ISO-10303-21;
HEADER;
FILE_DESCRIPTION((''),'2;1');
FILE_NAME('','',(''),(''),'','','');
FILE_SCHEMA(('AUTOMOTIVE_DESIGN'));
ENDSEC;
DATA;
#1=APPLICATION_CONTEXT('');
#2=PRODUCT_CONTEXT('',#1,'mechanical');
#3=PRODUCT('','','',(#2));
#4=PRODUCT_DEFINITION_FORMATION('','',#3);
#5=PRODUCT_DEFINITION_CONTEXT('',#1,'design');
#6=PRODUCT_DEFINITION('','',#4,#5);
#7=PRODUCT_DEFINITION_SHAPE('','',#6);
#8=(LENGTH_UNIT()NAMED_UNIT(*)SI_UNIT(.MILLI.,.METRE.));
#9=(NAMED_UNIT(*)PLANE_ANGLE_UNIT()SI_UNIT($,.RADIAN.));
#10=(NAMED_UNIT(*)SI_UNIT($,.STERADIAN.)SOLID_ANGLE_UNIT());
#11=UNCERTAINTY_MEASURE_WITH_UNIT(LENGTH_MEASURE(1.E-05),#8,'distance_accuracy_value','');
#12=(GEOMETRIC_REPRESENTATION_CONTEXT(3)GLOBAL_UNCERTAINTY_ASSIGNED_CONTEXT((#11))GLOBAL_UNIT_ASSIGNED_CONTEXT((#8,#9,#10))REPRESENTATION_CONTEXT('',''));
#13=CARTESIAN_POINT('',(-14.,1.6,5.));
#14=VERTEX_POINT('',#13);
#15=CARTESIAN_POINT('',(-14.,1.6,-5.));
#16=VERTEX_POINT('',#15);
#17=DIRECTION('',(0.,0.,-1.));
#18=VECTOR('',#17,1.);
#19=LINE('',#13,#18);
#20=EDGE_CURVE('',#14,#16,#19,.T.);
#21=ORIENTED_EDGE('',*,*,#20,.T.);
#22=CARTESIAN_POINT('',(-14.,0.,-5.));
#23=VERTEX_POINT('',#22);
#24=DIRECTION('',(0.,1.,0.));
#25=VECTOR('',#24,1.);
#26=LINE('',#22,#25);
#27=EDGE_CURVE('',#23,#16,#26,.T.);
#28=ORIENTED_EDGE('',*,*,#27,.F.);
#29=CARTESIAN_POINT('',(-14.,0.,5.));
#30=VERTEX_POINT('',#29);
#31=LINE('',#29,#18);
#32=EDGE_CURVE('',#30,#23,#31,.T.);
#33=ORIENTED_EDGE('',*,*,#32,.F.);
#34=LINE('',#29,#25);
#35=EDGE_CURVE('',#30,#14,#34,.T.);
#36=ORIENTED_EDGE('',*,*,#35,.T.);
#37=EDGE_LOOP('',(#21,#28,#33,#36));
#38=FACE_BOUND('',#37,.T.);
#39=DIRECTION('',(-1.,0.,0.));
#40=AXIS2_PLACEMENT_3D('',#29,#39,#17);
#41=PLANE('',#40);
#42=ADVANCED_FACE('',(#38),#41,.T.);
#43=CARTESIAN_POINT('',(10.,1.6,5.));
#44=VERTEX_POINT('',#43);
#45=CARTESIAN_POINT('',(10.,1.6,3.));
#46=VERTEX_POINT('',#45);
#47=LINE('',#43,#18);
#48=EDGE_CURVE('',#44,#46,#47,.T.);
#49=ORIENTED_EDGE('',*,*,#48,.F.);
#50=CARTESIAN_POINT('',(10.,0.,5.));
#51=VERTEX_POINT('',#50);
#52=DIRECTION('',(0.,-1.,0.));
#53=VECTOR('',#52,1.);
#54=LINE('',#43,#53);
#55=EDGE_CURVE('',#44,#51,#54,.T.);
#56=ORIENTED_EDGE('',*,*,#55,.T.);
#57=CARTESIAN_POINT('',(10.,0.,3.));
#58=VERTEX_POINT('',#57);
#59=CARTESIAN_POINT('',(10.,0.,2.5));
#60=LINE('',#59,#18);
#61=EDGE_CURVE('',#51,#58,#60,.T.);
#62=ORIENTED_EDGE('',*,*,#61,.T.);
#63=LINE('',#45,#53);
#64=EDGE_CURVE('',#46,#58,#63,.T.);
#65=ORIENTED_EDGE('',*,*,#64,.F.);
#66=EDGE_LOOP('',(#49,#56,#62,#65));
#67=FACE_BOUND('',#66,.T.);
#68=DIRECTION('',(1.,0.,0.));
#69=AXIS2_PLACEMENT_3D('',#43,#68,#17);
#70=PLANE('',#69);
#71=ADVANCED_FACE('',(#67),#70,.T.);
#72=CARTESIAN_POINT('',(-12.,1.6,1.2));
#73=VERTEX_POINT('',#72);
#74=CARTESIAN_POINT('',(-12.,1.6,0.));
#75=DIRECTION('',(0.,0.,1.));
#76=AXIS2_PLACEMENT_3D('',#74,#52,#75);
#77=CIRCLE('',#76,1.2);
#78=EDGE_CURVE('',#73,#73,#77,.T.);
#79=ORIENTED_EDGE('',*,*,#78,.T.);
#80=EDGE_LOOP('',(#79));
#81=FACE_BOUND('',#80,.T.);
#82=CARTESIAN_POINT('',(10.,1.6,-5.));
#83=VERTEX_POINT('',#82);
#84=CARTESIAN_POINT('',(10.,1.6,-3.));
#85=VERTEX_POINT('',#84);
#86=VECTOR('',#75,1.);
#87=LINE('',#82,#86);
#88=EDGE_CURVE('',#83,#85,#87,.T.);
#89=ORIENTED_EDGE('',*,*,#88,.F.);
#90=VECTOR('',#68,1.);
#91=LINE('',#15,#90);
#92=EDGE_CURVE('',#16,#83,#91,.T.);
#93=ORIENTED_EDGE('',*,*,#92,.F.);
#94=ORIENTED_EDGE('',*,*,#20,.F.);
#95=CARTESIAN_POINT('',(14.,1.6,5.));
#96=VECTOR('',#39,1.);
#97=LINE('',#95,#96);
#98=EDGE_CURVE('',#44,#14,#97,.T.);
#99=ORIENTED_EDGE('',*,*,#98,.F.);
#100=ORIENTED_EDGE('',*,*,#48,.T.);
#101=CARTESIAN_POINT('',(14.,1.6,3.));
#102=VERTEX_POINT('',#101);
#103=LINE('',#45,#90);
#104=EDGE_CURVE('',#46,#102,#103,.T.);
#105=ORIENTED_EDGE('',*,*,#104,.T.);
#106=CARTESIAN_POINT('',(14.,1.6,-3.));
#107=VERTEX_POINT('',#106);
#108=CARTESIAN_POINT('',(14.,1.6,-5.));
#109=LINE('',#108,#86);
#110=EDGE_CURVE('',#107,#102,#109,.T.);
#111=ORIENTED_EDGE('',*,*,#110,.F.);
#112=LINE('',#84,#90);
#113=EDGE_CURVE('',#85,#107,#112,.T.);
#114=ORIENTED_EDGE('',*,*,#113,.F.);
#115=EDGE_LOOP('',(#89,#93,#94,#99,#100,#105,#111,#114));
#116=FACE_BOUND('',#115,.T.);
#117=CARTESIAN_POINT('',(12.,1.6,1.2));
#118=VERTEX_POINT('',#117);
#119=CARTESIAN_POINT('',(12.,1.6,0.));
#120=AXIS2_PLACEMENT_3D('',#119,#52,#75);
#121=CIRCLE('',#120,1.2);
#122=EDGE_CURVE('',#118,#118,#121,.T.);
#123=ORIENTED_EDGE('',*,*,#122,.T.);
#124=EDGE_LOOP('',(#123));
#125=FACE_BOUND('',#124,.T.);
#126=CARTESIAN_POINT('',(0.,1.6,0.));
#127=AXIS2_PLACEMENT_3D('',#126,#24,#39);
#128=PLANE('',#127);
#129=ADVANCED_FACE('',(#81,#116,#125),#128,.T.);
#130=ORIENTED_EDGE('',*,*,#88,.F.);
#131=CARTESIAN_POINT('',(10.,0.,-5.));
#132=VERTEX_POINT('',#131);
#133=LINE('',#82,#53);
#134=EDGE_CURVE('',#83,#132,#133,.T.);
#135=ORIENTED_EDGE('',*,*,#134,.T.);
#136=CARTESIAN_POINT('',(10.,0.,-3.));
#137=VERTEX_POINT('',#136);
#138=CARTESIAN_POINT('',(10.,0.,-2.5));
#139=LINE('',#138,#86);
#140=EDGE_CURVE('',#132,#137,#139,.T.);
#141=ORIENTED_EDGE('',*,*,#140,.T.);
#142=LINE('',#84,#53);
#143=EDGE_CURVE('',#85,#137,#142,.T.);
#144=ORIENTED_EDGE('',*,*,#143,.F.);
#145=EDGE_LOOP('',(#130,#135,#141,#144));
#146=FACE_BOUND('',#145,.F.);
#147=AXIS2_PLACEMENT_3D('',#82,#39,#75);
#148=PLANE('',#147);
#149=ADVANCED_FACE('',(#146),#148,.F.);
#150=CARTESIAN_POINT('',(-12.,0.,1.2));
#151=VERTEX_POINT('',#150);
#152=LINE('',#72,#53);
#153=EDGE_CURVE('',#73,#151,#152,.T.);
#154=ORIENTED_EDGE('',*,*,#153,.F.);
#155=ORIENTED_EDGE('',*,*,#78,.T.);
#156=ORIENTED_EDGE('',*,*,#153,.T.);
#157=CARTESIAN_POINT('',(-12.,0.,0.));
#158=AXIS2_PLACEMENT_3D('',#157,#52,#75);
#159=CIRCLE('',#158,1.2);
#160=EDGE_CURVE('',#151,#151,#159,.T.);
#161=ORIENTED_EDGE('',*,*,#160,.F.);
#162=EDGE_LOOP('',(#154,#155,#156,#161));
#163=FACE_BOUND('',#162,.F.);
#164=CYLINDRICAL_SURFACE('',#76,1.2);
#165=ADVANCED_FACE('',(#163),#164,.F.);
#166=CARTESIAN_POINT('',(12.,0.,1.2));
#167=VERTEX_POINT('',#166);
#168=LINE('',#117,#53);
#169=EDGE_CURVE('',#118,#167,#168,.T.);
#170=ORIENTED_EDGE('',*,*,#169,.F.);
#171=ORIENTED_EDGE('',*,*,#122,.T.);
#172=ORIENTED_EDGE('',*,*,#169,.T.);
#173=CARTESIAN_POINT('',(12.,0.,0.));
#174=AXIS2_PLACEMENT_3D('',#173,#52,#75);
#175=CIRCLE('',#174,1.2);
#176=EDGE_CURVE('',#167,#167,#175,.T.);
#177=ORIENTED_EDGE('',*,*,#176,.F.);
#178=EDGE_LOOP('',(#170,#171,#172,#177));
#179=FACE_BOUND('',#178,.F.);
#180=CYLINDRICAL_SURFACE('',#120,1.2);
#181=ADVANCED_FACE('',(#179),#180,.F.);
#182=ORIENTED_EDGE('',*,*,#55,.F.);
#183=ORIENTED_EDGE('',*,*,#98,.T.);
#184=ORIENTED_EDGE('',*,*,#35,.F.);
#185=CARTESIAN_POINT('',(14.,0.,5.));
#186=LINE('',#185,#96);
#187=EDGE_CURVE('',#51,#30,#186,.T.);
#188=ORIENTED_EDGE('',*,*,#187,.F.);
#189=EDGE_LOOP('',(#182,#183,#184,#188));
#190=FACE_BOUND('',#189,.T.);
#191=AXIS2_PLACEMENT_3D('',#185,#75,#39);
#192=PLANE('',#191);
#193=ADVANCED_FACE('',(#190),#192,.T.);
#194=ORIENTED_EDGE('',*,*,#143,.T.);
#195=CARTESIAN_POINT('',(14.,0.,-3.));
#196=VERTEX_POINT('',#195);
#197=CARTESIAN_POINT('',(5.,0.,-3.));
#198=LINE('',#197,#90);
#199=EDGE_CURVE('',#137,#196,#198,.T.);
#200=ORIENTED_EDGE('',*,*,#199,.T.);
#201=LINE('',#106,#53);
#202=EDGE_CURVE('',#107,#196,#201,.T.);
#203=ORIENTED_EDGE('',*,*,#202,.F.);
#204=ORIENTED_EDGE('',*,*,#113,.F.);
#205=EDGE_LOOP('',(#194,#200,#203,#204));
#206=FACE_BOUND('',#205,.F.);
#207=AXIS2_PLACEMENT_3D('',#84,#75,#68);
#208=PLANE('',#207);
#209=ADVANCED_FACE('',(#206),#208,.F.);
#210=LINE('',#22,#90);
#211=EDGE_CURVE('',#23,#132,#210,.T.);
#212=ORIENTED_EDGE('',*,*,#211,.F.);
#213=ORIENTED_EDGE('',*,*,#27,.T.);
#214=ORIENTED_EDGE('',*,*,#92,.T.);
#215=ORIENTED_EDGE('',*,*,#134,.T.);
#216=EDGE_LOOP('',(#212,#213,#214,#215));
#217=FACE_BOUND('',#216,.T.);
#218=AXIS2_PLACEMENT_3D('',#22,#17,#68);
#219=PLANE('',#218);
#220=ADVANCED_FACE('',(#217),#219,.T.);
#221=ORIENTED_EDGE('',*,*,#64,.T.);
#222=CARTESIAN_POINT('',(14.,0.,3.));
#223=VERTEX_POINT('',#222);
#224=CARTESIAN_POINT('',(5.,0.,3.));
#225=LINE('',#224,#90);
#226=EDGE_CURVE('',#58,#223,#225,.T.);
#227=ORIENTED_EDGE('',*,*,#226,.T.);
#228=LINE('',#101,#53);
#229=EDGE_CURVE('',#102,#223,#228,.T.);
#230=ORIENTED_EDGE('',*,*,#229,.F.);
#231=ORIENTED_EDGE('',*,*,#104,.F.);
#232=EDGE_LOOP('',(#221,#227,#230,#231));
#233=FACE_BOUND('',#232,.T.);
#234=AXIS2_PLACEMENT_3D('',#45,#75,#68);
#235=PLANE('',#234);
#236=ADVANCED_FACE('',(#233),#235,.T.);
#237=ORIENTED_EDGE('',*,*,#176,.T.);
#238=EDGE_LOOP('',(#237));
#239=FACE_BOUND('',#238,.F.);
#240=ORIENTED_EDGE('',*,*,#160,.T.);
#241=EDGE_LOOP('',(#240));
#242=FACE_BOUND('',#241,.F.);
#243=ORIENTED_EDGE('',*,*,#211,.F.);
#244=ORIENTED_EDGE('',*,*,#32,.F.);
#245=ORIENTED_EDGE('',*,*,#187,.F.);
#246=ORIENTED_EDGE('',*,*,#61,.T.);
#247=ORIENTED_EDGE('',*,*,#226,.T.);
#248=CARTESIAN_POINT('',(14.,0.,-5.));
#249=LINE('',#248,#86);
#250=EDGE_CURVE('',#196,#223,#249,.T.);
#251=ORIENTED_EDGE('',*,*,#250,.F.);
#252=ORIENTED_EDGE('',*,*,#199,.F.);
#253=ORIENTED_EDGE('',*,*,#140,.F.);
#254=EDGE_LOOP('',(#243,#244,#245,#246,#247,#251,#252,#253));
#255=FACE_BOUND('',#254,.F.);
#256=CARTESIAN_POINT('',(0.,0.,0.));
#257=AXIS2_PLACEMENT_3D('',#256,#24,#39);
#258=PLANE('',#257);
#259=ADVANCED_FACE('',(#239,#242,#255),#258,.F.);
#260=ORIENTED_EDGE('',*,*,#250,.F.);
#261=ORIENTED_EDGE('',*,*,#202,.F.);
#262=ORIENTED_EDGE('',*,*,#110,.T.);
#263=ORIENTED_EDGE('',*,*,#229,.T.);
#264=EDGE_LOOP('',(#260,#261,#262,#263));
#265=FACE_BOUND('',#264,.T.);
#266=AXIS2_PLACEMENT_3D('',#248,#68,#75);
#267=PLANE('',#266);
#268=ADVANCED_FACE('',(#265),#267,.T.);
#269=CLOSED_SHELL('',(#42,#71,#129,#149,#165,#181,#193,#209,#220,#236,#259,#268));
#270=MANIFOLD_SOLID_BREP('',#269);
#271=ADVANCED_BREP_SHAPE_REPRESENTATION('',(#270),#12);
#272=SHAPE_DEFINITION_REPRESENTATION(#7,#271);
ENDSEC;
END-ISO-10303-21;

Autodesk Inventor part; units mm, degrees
ref_plane "XZ Plane" through (0, 0, 0) normal (0, 1, 0) x (-1, 0, 0)
ref_plane "XY Plane" through (0, 0, 0) normal (0, 0, 1) x (1, 0, 0)
sketch "スケッチ1" plane through (0, 0, 0) normal (0, 1, 0) x (-1, 0, 0)
  line L0 (14, -5) -> (-14, -5)
  line L1 (-14, -5) -> (-14, 5)
  line L2 (-14, 5) -> (14, 5)
  line L3 (14, 5) -> (14, -5)
  line L4 (-14, 5) -> (14, -5) construction
  line L5 (14, 5) -> (-14, -5) construction
  point P0 (0, 0)
  point P1 (0, 0)
  dimension "d1" = 10
  dimension "d13" = 14
extrude "押し出し1" add sketch "スケッチ1" along normal blind 1.6
sketch "スケッチ3" plane through (0, 1.6, 0) normal (0, 1, 0) x (1, 0, 0)
  line L0 (14, -5) -> (14, 5) projected
  line L1 (14, 5) -> (10, 5)
  line L2 (10, 5) -> (10, 3)
  line L3 (10, 3) -> (14, 3)
  line L4 (14, 3) -> (14, 5)
  line L5 (-12.25, 0) -> (12.25, 0)
  line L6 (10, -5) -> (10, -3)
  line L7 (10, -3) -> (14, -3)
  line L8 (14, -5) -> (10, -5)
  line L9 (14, -3) -> (14, -5)
  point P0 (0, 0)
  dimension "d16" = 4
  dimension "d17" = 2
extrude "押し出し2" cut sketch "スケッチ3" against normal blind 10
sketch "スケッチ4" plane through (0, 1.6, 0) normal (0, 1, 0) x (1, 0, 0)
  line L0 (10, 3) -> (10, 5) projected
  line L1 (10, -5) -> (10, -3) projected
  line L2 (10, 3) -> (10, -3)
  line L3 (10, 0) -> (14, 0)
  line L4 (14, -3) -> (14, 3) projected
  line L5 (-14, 5) -> (-14, -5) projected
  line L6 (-14, 0) -> (-12, 0)
  point P0 (0, 0)
  point P1 (12, 0)
  dimension "d27" = 2
hole "穴2" at (12, 1.6, 0) at (-12, 1.6, 0) direction (0, -1, 0) diameter 2.4 end through all clearance for "Countersunk Flat Head Screw ISO 2009/7046" size "M2" standard "ISO"
sketch "スケッチ7" plane through (0, 0, 0) normal (0, -1, 0) x (1, 0, 0)
  line L0 (75.7308, 106.5202) -> (76.0585, -99.7224)
  line L1 (75.7308, 106.5202) -> (76.0585, -99.7224)
  line L2 (0, 147.7687) -> (0, -140.9709) projected
  line L3 (75.7308, 106.5202) -> (76.0585, -99.7224)
  line L4 (14, 3) -> (14, -3) projected
  point P0 (0, 0)
  point P1 (6.4022, -1.407)
  point P2 (6.4022, -1.407)
  point P3 (-4, 0.784)
  dimension "d28" = 69.5
  dimension "d29" = 7.5978
  dimension "d31" = 18
  dimension "d32" = 79.8987
properties part number "SideSensorCircuit"
